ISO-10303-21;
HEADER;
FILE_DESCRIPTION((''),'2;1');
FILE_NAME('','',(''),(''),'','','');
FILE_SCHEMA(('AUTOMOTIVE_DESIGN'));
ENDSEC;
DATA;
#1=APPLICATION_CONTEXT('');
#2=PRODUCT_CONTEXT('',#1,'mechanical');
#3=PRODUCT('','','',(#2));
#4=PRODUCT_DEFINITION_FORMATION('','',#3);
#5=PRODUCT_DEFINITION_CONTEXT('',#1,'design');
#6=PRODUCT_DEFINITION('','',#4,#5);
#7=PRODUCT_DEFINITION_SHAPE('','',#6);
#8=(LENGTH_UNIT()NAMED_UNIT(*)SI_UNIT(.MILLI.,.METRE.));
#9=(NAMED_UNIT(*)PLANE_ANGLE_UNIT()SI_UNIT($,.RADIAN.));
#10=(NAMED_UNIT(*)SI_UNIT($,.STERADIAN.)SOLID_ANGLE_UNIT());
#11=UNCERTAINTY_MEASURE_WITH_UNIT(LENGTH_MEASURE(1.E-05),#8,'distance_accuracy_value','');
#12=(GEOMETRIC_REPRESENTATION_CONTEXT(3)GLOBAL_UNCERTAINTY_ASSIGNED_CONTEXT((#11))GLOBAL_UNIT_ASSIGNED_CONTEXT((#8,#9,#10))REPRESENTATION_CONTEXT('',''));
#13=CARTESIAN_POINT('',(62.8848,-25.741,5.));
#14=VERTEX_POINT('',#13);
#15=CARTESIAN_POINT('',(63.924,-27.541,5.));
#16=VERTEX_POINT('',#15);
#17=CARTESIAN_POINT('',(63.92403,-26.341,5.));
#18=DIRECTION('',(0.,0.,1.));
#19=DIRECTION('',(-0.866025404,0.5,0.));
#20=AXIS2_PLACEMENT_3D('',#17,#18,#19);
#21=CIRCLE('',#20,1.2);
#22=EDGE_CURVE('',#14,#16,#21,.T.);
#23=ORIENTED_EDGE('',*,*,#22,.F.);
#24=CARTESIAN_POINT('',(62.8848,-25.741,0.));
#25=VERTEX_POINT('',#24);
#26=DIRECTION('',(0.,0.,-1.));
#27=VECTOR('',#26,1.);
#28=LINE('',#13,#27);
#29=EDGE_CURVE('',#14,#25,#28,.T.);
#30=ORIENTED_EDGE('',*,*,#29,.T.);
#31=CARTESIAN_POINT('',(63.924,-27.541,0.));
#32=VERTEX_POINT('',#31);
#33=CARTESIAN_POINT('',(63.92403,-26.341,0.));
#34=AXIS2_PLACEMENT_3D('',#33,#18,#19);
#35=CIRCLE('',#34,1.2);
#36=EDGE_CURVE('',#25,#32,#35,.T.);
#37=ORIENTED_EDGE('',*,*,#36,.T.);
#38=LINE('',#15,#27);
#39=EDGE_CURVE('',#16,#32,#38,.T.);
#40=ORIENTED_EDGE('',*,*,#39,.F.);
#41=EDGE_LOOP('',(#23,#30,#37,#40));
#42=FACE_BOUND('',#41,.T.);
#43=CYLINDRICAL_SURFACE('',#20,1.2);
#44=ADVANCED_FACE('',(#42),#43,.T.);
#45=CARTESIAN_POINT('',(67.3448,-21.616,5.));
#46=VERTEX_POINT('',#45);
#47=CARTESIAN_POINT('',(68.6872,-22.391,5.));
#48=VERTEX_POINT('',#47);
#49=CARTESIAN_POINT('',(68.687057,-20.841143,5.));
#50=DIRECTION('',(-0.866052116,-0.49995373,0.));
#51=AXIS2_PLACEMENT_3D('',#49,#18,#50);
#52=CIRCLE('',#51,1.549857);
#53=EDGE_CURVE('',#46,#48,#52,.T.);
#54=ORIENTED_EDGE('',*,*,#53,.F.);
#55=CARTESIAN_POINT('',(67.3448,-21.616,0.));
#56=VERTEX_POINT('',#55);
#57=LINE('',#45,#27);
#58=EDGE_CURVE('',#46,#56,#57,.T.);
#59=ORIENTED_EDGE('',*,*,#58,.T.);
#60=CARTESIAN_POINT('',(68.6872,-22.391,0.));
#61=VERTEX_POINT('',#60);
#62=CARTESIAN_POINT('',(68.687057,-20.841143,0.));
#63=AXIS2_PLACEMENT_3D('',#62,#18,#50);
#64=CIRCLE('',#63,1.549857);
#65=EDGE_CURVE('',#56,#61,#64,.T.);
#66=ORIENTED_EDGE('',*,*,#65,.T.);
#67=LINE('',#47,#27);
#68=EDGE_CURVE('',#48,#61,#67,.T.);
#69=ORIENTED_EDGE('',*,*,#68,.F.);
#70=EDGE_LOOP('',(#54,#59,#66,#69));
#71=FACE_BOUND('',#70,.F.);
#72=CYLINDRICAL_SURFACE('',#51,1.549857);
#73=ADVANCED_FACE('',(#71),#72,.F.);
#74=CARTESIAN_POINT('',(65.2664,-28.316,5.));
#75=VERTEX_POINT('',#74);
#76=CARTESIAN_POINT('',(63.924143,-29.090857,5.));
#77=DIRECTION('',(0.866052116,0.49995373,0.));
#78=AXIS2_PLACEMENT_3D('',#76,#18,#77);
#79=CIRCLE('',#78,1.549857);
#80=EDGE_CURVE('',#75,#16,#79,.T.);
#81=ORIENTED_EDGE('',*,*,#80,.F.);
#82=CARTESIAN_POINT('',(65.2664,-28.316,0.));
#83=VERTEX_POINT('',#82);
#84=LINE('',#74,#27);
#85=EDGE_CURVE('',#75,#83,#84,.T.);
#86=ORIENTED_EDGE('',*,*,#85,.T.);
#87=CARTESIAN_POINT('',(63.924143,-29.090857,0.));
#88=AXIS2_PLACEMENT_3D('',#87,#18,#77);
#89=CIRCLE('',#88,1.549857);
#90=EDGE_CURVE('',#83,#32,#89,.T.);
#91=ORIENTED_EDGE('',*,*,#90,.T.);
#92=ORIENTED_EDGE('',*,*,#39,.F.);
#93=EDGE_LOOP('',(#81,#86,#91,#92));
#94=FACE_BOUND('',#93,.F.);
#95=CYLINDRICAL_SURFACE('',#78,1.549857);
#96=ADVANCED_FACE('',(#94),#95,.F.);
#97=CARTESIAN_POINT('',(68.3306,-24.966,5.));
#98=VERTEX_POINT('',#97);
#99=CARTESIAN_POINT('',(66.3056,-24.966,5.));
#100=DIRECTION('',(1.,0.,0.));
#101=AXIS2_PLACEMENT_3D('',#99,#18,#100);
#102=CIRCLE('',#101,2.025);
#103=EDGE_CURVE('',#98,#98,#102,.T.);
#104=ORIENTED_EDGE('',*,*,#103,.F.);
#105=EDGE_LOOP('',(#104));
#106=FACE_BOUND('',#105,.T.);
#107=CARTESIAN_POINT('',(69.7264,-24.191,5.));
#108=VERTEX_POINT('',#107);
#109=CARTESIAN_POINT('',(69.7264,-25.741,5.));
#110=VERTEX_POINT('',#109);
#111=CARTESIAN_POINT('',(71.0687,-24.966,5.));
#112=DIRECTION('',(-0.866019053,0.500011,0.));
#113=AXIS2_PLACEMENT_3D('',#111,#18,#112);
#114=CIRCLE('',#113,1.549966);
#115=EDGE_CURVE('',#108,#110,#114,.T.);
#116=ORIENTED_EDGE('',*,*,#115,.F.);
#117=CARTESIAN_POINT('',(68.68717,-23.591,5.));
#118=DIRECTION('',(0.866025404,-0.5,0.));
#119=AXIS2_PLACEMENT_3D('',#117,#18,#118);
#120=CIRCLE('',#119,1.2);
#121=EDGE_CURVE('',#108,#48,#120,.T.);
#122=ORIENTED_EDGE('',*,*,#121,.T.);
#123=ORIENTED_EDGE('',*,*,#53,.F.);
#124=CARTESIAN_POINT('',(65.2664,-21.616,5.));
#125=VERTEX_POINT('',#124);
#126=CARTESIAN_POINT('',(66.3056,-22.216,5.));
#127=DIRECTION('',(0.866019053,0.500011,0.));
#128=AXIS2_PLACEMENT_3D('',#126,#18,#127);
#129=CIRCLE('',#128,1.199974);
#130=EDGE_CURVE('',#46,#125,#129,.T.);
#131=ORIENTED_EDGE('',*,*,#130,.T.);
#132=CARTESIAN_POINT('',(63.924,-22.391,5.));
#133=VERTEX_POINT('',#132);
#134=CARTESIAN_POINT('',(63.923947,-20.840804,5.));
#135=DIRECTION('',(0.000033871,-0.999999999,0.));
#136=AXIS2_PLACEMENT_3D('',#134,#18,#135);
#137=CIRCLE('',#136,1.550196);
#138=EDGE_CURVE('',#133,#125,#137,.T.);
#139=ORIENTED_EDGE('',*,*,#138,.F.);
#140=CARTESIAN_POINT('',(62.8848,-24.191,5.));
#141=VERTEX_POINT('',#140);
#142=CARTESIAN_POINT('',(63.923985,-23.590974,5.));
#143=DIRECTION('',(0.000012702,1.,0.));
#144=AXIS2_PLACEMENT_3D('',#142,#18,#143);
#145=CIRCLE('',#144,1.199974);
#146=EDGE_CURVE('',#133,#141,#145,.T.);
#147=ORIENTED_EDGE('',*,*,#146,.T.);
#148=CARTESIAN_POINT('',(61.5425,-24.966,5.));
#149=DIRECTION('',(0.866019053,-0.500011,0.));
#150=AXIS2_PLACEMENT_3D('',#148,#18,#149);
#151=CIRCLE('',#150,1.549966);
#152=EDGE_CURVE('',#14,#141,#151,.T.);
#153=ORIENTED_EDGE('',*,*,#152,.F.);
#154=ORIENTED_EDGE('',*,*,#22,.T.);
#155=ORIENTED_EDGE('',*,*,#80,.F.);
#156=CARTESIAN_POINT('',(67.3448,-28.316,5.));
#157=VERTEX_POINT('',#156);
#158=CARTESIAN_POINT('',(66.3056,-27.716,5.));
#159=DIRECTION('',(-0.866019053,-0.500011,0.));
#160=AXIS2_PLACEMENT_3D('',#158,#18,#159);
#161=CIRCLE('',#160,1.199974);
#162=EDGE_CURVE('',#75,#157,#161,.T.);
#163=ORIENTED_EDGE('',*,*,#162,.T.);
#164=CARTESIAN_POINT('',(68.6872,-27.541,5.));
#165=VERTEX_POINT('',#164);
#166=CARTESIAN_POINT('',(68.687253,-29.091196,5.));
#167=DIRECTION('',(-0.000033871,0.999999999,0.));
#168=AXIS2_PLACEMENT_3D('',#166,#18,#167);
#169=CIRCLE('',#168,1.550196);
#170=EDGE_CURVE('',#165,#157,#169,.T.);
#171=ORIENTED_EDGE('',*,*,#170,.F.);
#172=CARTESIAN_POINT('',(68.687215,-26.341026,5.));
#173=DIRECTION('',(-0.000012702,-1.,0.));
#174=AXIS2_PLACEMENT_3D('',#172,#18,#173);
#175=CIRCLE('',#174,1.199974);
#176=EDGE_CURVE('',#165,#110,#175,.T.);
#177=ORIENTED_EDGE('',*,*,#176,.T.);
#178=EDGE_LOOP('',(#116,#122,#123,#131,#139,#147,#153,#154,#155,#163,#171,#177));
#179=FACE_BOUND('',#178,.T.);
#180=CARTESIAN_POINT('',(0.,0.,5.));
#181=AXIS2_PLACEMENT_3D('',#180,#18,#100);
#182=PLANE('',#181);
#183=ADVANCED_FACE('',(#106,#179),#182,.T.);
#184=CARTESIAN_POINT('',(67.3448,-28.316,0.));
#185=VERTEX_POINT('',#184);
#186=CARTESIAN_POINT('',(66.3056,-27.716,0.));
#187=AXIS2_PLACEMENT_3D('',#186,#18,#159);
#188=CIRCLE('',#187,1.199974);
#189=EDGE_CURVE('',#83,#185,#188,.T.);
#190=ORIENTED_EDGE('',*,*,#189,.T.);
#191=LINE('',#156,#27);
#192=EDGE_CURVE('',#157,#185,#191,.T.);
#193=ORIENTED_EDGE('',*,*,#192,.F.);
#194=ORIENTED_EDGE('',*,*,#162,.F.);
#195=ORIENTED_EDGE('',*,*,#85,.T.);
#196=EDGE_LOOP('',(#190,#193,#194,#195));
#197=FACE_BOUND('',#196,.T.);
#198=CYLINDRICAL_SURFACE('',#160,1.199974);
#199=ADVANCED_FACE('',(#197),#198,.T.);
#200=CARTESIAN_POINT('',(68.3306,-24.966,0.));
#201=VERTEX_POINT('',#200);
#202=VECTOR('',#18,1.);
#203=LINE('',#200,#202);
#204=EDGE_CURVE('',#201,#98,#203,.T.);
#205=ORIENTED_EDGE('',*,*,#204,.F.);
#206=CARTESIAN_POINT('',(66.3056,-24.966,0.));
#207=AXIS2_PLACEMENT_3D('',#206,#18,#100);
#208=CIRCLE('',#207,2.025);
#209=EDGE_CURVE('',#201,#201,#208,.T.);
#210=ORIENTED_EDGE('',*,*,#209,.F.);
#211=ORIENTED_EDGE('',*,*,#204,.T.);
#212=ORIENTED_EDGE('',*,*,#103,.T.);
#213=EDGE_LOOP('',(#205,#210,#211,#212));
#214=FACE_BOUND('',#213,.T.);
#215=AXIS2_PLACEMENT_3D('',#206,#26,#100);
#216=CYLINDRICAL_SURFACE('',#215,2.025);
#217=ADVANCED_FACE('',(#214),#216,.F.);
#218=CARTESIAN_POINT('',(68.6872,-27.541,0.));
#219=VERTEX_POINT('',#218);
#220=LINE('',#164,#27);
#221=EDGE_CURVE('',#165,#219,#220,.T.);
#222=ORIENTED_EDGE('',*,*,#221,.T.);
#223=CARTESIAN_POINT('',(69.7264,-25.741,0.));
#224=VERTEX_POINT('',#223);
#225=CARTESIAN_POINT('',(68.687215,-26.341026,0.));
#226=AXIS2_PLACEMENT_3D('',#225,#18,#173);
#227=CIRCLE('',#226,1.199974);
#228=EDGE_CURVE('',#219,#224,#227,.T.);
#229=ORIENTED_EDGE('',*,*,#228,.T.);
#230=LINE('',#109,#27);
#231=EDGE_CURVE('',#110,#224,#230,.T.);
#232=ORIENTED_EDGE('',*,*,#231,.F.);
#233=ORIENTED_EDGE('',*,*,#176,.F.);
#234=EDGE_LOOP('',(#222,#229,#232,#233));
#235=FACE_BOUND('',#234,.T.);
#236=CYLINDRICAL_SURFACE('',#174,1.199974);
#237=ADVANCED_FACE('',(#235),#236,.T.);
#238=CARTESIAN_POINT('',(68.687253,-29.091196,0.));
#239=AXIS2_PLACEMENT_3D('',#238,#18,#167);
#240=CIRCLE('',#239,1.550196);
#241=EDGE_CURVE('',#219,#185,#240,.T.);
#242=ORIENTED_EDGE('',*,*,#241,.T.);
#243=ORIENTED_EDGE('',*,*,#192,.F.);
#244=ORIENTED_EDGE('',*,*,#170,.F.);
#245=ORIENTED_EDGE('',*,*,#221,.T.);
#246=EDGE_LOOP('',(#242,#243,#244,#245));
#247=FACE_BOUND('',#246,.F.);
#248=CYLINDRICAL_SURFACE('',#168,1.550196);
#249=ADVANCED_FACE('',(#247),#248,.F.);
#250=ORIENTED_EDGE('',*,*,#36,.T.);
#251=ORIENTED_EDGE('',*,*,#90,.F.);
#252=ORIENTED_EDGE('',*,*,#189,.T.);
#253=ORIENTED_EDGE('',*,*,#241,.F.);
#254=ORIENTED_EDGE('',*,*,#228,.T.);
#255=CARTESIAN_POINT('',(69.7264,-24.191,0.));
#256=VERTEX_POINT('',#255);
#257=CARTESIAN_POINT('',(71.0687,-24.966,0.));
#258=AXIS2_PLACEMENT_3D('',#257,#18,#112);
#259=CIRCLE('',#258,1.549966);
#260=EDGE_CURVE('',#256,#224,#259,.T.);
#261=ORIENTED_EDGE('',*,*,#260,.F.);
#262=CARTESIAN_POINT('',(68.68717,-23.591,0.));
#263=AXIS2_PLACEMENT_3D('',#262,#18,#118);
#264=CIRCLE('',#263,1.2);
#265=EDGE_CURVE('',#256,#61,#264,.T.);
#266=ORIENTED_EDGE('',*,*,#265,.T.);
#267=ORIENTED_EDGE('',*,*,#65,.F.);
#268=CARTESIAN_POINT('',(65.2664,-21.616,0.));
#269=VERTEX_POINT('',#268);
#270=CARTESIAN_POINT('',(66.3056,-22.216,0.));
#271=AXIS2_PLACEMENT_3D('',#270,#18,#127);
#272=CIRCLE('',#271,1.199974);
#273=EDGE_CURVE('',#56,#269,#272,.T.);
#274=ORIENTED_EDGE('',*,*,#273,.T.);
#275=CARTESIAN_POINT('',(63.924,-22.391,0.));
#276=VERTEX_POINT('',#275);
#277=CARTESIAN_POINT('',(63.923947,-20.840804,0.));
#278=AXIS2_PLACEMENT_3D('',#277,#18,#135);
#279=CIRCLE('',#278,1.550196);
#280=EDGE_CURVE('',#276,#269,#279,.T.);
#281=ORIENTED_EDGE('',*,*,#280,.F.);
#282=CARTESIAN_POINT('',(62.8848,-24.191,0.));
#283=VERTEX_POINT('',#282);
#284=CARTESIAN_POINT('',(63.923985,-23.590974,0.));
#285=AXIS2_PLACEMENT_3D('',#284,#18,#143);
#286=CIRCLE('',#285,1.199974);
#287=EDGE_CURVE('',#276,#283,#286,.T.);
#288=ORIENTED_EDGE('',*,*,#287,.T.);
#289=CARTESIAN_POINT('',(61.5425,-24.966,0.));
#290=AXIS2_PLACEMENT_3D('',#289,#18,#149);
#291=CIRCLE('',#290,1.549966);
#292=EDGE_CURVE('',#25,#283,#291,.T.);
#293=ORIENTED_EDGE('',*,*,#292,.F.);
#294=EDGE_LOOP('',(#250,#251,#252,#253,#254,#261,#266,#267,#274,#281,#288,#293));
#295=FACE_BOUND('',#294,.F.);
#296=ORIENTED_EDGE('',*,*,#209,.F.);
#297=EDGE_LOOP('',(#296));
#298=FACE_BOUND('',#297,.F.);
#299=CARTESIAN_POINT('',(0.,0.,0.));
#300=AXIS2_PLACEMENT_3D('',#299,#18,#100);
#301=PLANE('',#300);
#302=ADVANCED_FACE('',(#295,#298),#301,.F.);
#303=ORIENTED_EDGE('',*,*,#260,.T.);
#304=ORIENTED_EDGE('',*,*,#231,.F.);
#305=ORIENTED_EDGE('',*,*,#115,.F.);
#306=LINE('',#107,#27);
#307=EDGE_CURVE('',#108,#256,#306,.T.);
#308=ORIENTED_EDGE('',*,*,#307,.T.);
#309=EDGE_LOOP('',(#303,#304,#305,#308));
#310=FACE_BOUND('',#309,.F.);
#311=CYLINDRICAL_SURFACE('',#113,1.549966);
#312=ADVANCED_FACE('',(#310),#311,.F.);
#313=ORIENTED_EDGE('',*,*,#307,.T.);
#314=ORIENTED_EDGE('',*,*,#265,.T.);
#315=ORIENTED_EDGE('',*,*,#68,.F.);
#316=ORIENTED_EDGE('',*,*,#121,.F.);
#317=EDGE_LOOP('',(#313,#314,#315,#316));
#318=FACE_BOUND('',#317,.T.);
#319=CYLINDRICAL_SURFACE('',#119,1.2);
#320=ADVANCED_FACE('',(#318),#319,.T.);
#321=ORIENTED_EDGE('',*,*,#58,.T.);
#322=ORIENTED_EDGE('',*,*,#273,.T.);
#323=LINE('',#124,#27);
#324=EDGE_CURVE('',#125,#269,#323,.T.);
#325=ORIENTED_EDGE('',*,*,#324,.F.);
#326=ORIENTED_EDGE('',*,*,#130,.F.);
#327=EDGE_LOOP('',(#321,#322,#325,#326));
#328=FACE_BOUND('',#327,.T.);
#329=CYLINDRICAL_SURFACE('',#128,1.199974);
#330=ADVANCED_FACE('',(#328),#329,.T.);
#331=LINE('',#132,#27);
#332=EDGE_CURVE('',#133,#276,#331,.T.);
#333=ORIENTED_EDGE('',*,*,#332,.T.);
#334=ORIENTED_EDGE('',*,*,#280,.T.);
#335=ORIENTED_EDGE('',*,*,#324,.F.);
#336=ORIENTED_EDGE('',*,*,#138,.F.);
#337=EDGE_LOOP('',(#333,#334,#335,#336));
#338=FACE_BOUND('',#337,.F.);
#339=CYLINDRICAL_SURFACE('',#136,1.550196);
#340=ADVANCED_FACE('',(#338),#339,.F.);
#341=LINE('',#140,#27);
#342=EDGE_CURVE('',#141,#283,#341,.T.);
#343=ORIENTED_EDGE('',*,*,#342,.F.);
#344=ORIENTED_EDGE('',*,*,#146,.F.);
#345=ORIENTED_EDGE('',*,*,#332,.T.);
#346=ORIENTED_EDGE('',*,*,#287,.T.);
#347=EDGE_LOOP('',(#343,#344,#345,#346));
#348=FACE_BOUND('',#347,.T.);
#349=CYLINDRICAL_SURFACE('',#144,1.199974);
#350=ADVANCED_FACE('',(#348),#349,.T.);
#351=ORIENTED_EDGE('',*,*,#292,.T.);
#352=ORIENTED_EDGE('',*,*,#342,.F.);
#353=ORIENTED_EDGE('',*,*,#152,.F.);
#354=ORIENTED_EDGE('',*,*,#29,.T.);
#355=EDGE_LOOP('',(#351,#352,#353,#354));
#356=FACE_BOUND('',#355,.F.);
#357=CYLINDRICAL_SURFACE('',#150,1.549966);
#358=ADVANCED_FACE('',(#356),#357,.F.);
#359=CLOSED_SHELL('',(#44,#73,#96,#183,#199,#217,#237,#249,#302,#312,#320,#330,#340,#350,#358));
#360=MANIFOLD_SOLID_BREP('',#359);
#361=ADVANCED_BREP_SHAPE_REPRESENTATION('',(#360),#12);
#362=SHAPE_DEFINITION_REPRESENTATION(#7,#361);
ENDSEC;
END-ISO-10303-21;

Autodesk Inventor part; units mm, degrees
ref_plane "YZ Plane" through (0, 0, 0) normal (1, 0, 0) x (0, 1, 0)
ref_plane "XZ Plane" through (0, 0, 0) normal (0, 1, 0) x (-1, 0, 0)
ref_plane "XY Plane" through (0, 0, 0) normal (0, 0, 1) x (1, 0, 0)
sketch "スケッチ1" plane through (0, 0, 0) normal (0, 0, 1) x (1, 0, 0)
  arc A0 (69.7697, -24.216) -> (68.6872, -22.341) centre (68.6872, -23.591) ccw
  arc A1 (69.7697, -24.216) -> (69.7697, -25.716) centre (71.0687, -24.966) ccw
  arc A2 (68.6872, -27.591) -> (69.7697, -25.716) centre (68.6872, -26.341) ccw
  arc A3 (65.2231, -28.341) -> (67.3881, -28.341) centre (66.3056, -27.716) ccw
  arc A4 (68.6872, -27.591) -> (67.3881, -28.341) centre (68.6872, -29.091) ccw
  arc A5 (65.2231, -28.341) -> (63.924, -27.591) centre (63.924, -29.091) ccw
  arc A6 (63.924, -22.341) -> (62.8415, -24.216) centre (63.924, -23.591) ccw
  arc A7 (63.924, -22.341) -> (65.2231, -21.591) centre (63.924, -20.841) ccw
  line L0 (62.8415, -22.966) -> (66.3056, -20.966) construction
  circle A8 centre (66.3056, -24.966) radius 5
  arc A9 (67.3881, -21.591) -> (65.2231, -21.591) centre (66.3056, -22.216) ccw
  arc A10 (62.8415, -25.716) -> (62.8415, -24.216) centre (61.5425, -24.966) ccw
  arc A11 (67.3881, -21.591) -> (68.6872, -22.341) centre (68.6872, -20.841) ccw
  line L1 (62.8415, -26.966) -> (62.8415, -22.966) construction
  arc A12 (62.8415, -25.716) -> (63.924, -27.591) centre (63.924, -26.341) ccw
  line L2 (66.3056, -20.966) -> (69.7697, -22.966) construction
  line L3 (66.3056, -28.966) -> (62.8415, -26.966) construction
  circle A13 centre (66.3056, -24.966) radius 4 construction
  circle A14 centre (66.3056, -24.966) radius 3.2631 construction
  line L4 (69.7697, -26.966) -> (66.3056, -28.966) construction
  line L5 (69.7697, -22.966) -> (69.7697, -26.966) construction
  circle A15 centre (66.3056, -24.966) radius 2.025
  point P0 (0, 0)
  point P1 (69.7697, -26.966)
  point P2 (66.3056, -28.966)
  point P3 (69.7697, -24.216)
  point P4 (63.924, -22.341)
  point P5 (63.924, -27.591)
  point P6 (67.3881, -28.341)
  point P7 (68.6872, -27.591)
  point P8 (69.7697, -25.716)
  dimension "d5" = 8
  dimension "d4" = 10
  dimension "d6" = 360
  dimension "d7" = 360
  dimension "d8" = 6.5263
  dimension "d9" = 1.5
  dimension "d10" = 1.25
  dimension "d11" = 4.05
extrude "押し出し1" add sketch "スケッチ1" along normal blind 5 contours A1 A2 A4 A3 A5 A12 A10 A6 A7 A9 A11 A0
sketch "スケッチ2" plane through (0, 0, 5) normal (0, 0, 1) x (1, 0, 0)
  arc A0 (67.3881, -21.591) -> (68.6872, -22.341) centre (68.6872, -20.841) ccw projected
  arc A1 (67.3881, -21.591) -> (65.2231, -21.591) centre (66.3056, -22.216) ccw projected
  arc A2 (63.924, -22.341) -> (65.2231, -21.591) centre (63.924, -20.841) ccw projected
  arc A3 (63.924, -22.341) -> (62.8415, -24.216) centre (63.924, -23.591) ccw projected
  arc A4 (62.8415, -25.716) -> (62.8415, -24.216) centre (61.5425, -24.966) ccw projected
  arc A5 (62.8415, -25.716) -> (63.924, -27.591) centre (63.924, -26.341) ccw projected
  arc A6 (65.2231, -28.341) -> (63.924, -27.591) centre (63.924, -29.091) ccw projected
  arc A7 (65.2231, -28.341) -> (67.3881, -28.341) centre (66.3056, -27.716) ccw projected
  arc A8 (68.6872, -27.591) -> (67.3881, -28.341) centre (68.6872, -29.091) ccw projected
  arc A9 (68.6872, -27.591) -> (69.7697, -25.716) centre (68.6872, -26.341) ccw projected
  arc A10 (69.7697, -24.216) -> (69.7697, -25.716) centre (71.0687, -24.966) ccw projected
  arc A11 (69.7697, -24.216) -> (68.6872, -22.341) centre (68.6872, -23.591) ccw projected
  circle A12 centre (66.3056, -24.966) radius 2.025 projected
  arc A13 (67.3448, -21.616) -> (65.2664, -21.616) centre (66.3056, -22.216) ccw
  arc A14 (67.3448, -21.616) -> (68.6872, -22.391) centre (68.6872, -20.841) ccw
  arc A15 (69.7264, -24.191) -> (68.6872, -22.391) centre (68.6872, -23.591) ccw
  arc A16 (69.7264, -24.191) -> (69.7264, -25.741) centre (71.0687, -24.966) ccw
  arc A17 (68.6872, -27.541) -> (69.7264, -25.741) centre (68.6872, -26.341) ccw
  arc A18 (68.6872, -27.541) -> (67.3448, -28.316) centre (68.6872, -29.091) ccw
  arc A19 (65.2664, -28.316) -> (67.3448, -28.316) centre (66.3056, -27.716) ccw
  arc A20 (65.2664, -28.316) -> (63.924, -27.541) centre (63.924, -29.091) ccw
  arc A21 (62.8848, -25.741) -> (63.924, -27.541) centre (63.924, -26.341) ccw
  arc A22 (62.8848, -25.741) -> (62.8848, -24.191) centre (61.5425, -24.966) ccw
  arc A23 (63.924, -22.391) -> (62.8848, -24.191) centre (63.924, -23.591) ccw
  arc A24 (63.924, -22.391) -> (65.2664, -21.616) centre (63.924, -20.841) ccw
  point P0 (0, 0)
  dimension "d14" = 0.05
extrude "押し出し2" cut sketch "スケッチ2" against normal blind 10 contours A0 A11 A10 A9 A8 A7 A6 A5 A4 A3 A2 A1
properties part number "2ギア接続部.m2側ipt" material "アルミニウム 2014-T4"
